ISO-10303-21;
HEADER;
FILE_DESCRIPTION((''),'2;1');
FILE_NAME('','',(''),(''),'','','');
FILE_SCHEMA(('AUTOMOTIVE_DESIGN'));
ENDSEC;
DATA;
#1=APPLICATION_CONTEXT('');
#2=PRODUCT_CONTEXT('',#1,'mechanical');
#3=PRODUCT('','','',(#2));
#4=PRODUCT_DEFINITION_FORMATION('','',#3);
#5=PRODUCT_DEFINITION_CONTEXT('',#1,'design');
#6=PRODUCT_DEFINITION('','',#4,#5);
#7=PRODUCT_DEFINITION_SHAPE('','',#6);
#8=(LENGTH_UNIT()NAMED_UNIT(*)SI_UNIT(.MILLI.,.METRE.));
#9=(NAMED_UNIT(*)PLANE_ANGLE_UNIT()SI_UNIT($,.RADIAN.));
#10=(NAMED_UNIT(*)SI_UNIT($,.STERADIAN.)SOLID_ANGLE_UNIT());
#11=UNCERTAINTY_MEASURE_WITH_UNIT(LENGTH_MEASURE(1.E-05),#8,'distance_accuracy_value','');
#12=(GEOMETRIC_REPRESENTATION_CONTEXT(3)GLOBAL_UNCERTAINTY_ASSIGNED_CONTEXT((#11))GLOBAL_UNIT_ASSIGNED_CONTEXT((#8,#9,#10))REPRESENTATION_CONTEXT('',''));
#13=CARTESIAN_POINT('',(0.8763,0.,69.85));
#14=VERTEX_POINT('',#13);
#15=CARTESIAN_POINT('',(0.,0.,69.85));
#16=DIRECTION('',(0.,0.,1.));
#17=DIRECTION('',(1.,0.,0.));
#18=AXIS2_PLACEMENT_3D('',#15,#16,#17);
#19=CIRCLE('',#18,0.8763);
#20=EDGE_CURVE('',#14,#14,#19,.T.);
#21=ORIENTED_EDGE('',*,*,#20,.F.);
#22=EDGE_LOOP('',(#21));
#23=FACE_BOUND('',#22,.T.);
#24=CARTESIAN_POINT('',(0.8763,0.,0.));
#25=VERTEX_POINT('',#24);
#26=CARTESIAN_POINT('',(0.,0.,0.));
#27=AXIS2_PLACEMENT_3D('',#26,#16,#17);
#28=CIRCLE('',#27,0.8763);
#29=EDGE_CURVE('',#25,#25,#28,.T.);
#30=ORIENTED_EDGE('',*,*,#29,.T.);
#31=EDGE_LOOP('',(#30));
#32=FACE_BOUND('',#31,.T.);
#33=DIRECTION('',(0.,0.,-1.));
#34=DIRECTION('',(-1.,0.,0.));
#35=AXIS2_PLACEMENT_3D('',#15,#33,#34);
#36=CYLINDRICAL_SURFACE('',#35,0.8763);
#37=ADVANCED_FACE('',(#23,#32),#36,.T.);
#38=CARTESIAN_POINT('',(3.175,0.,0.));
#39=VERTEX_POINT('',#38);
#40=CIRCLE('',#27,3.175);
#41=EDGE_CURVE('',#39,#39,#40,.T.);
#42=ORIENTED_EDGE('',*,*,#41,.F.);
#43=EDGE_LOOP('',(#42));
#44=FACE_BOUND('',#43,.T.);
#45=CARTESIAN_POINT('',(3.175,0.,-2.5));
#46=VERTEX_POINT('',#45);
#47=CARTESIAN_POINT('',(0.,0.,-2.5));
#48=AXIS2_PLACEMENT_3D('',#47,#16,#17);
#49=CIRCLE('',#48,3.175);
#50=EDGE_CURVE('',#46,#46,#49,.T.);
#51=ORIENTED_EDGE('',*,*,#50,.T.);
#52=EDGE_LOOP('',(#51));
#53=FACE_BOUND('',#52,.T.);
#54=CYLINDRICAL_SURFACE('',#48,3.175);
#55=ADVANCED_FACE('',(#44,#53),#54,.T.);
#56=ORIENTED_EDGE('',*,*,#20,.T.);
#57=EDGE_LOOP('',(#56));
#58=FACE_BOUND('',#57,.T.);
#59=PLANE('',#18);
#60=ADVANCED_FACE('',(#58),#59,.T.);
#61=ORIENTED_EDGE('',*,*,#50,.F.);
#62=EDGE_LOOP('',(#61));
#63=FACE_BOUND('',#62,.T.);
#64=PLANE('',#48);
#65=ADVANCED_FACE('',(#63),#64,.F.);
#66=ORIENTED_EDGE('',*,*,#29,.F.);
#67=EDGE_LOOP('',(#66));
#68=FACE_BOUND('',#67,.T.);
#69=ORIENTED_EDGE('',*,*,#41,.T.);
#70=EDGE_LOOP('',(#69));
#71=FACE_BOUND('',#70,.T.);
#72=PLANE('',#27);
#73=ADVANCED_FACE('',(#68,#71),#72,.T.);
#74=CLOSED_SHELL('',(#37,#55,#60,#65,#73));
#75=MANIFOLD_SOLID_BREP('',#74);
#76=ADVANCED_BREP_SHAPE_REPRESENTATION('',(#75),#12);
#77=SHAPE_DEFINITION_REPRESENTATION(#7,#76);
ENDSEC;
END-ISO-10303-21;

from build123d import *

# Parameters (mm, degrees)
SKETCH1_R           = 0.8763
BOSS_EXTRUDE1_DEPTH = 69.85
SKETCH1_3_R         = 3.175
BOSS_EXTRUDE2_DEPTH = 2.5


with BuildPart() as part:
    # Sketch1 → Boss-Extrude1 (new body)
    with BuildSketch(Plane.XY):
        Circle(SKETCH1_R)
    extrude(amount=BOSS_EXTRUDE1_DEPTH)

    # Sketch1_3 → Boss-Extrude2 (add)
    with BuildSketch(Plane.XY):
        Circle(SKETCH1_3_R)
    extrude(amount=-BOSS_EXTRUDE2_DEPTH)


solid = part.part
